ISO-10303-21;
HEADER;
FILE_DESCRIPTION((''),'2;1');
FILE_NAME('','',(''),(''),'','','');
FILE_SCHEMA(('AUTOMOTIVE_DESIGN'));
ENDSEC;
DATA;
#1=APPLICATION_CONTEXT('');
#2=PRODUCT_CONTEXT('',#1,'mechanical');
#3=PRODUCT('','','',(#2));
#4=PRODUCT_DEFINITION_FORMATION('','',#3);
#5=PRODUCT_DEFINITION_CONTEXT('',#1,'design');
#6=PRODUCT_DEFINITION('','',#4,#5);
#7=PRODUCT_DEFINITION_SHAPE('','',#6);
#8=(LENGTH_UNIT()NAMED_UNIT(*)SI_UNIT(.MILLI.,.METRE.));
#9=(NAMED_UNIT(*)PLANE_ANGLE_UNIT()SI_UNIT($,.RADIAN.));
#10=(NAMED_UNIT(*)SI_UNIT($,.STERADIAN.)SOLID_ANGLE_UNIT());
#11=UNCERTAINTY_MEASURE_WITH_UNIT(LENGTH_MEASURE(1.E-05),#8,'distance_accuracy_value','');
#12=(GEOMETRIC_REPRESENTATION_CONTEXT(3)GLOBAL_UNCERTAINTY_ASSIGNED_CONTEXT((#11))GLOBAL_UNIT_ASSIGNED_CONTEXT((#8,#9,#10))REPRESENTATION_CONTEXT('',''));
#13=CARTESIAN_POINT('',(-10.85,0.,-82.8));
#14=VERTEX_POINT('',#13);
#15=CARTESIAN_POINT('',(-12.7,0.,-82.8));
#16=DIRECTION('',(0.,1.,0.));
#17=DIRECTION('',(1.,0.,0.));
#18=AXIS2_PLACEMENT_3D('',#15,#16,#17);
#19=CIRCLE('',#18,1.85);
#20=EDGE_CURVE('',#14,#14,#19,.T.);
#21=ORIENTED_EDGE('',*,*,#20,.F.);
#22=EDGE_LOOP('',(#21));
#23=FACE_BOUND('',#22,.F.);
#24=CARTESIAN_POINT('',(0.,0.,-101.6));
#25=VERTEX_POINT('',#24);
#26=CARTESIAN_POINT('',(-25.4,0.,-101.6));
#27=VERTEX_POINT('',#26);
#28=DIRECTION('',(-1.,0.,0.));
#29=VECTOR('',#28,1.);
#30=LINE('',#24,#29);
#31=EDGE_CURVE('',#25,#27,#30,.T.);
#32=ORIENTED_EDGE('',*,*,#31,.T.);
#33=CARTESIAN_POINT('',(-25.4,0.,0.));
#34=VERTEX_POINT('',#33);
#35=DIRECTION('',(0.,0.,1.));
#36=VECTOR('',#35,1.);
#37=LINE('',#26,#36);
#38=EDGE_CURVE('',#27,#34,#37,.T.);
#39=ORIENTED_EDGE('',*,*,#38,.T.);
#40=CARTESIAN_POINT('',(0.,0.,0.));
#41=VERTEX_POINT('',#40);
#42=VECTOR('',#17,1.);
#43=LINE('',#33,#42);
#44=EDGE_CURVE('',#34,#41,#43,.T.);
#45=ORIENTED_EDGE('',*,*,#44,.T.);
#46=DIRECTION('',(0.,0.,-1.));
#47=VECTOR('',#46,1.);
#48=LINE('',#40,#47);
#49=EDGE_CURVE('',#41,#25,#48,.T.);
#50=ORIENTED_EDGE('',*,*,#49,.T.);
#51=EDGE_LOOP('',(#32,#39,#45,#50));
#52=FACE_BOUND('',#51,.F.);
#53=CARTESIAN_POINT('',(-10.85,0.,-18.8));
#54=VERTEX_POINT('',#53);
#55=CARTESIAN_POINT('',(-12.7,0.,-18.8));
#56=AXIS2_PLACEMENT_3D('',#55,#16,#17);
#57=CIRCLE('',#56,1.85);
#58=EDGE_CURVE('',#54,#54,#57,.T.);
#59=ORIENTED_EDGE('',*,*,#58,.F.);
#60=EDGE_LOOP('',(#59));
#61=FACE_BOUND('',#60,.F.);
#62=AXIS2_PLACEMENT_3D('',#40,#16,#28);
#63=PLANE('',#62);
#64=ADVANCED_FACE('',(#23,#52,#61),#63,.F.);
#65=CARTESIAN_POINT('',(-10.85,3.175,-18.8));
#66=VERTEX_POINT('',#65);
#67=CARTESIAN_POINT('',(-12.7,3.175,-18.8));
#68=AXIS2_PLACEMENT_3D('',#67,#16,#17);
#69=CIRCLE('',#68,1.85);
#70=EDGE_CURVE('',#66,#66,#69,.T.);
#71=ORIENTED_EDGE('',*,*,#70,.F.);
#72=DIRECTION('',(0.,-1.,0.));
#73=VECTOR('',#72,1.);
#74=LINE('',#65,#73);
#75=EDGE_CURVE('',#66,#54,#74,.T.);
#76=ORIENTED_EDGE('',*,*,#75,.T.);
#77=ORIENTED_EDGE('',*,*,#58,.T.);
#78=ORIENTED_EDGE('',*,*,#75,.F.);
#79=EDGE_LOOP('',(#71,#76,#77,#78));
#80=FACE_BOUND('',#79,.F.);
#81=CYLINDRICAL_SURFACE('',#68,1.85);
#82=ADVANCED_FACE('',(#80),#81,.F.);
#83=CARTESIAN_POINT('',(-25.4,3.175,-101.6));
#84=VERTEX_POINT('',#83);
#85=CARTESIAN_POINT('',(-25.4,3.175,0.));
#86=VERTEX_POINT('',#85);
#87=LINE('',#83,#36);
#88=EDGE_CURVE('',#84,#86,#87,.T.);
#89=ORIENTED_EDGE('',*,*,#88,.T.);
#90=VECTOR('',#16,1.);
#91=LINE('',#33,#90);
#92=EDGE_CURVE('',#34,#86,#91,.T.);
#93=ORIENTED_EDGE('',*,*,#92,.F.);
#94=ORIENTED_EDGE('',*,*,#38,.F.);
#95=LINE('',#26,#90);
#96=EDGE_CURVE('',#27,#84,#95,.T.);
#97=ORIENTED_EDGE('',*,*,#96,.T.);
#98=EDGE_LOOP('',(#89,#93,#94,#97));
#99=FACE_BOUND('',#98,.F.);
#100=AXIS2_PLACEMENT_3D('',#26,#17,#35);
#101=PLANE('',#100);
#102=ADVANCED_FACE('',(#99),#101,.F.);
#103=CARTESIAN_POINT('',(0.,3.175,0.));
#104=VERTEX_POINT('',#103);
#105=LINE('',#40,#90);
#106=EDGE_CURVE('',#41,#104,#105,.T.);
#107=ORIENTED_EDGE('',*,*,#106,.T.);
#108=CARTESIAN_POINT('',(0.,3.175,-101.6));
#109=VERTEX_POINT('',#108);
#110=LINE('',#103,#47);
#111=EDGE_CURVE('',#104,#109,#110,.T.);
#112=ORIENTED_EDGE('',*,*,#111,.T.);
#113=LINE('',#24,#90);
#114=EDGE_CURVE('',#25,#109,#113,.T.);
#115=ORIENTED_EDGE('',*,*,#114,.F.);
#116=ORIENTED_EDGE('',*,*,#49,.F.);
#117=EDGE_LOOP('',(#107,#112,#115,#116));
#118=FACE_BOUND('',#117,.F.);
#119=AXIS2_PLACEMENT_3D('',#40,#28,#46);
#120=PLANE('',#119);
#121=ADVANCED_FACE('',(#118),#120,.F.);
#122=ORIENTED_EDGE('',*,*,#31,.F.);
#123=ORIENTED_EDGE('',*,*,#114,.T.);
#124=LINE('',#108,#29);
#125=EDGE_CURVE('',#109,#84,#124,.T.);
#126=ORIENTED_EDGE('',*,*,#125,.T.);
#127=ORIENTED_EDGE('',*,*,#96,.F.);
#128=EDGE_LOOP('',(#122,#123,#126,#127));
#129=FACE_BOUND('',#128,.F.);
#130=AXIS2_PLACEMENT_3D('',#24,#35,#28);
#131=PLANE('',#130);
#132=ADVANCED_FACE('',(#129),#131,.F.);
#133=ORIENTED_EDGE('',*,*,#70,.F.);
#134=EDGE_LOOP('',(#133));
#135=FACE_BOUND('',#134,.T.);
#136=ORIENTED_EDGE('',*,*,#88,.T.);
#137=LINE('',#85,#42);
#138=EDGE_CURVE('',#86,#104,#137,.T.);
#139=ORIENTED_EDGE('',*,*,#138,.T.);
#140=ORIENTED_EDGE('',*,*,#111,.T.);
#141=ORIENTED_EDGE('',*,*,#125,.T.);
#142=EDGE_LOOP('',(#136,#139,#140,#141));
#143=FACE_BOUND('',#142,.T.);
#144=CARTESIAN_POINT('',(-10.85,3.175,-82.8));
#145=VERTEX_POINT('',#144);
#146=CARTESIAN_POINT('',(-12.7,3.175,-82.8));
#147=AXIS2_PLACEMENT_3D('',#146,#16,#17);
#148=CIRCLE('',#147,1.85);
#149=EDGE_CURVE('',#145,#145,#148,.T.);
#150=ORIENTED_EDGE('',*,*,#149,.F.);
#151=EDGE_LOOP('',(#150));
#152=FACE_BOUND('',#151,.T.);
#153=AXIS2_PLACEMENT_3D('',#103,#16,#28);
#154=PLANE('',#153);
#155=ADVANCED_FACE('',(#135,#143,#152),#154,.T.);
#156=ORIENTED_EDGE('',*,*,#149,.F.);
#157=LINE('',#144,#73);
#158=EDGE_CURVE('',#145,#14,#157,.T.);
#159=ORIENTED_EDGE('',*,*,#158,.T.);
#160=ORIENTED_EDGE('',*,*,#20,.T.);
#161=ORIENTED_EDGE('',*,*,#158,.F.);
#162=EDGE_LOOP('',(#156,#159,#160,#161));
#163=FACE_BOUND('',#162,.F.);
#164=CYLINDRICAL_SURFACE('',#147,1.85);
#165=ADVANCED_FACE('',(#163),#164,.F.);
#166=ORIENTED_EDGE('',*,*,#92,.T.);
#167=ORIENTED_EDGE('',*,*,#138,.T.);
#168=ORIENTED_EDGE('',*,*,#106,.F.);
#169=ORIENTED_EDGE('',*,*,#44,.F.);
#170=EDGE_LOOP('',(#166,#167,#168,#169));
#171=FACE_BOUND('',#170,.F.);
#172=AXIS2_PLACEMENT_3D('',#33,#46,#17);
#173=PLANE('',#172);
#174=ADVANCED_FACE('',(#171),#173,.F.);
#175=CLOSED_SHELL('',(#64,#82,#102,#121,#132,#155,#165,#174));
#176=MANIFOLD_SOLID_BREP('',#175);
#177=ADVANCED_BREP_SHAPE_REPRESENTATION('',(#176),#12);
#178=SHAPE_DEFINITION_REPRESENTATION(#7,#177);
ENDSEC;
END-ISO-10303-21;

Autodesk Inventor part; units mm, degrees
ref_plane "YZ Plane" through (0, 0, 0) normal (1, 0, 0) x (0, 1, 0)
ref_plane "XZ Plane" through (0, 0, 0) normal (0, 1, 0) x (-1, 0, 0)
ref_plane "XY Plane" through (0, 0, 0) normal (0, 0, 1) x (1, 0, 0)
sketch "Sketch1" plane through (0, 0, 0) normal (0, 1, 0) x (-1, 0, 0)
  line L0 (0, 0) -> (0, -101.6)
  line L1 (0, -101.6) -> (25.4, -101.6)
  line L2 (25.4, -101.6) -> (25.4, 0)
  line L3 (25.4, 0) -> (0, 0)
  dimension "d0" = 101.6
  dimension "d1" = 25.4
extrude "Extrusion1" add sketch "Sketch1" along normal blind 3.175
sketch "Sketch2" plane through (0, 0, 0) normal (0, -1, 0) x (1, 0, 0)
  line L0 (-25.4, -101.6) -> (-25.4, 0) projected
  line L1 (-25.4, -50.8) -> (0, -50.8)
  point P0 (0, 0)
sketch "Sketch3" plane through (0, 3.175, 0) normal (0, 1, 0) x (1, 0, 0)
  line L0 (0, 0) -> (0, 101.6) projected
  line L1 (0, 50.8) -> (-25.4, 50.8)
  line L2 (-25.4, 101.6) -> (-25.4, 0) projected
  line L3 (-25.4, 0) -> (0, 0) projected
  line L4 (-12.7, 0) -> (-12.7, 101.5312)
sketch "Sketch4" plane through (0, 3.175, 0) normal (0, 1, 0) x (1, 0, 0)
  circle A0 centre (-12.7, 18.8) radius 1.85 projected
  circle A1 centre (-12.7, 82.8) radius 1.85 projected
  point P0 (0, 0)
extrude "Extrusion2" cut sketch "Sketch4" against normal blind 23.8125
properties part number "Drive Motor Plate"
